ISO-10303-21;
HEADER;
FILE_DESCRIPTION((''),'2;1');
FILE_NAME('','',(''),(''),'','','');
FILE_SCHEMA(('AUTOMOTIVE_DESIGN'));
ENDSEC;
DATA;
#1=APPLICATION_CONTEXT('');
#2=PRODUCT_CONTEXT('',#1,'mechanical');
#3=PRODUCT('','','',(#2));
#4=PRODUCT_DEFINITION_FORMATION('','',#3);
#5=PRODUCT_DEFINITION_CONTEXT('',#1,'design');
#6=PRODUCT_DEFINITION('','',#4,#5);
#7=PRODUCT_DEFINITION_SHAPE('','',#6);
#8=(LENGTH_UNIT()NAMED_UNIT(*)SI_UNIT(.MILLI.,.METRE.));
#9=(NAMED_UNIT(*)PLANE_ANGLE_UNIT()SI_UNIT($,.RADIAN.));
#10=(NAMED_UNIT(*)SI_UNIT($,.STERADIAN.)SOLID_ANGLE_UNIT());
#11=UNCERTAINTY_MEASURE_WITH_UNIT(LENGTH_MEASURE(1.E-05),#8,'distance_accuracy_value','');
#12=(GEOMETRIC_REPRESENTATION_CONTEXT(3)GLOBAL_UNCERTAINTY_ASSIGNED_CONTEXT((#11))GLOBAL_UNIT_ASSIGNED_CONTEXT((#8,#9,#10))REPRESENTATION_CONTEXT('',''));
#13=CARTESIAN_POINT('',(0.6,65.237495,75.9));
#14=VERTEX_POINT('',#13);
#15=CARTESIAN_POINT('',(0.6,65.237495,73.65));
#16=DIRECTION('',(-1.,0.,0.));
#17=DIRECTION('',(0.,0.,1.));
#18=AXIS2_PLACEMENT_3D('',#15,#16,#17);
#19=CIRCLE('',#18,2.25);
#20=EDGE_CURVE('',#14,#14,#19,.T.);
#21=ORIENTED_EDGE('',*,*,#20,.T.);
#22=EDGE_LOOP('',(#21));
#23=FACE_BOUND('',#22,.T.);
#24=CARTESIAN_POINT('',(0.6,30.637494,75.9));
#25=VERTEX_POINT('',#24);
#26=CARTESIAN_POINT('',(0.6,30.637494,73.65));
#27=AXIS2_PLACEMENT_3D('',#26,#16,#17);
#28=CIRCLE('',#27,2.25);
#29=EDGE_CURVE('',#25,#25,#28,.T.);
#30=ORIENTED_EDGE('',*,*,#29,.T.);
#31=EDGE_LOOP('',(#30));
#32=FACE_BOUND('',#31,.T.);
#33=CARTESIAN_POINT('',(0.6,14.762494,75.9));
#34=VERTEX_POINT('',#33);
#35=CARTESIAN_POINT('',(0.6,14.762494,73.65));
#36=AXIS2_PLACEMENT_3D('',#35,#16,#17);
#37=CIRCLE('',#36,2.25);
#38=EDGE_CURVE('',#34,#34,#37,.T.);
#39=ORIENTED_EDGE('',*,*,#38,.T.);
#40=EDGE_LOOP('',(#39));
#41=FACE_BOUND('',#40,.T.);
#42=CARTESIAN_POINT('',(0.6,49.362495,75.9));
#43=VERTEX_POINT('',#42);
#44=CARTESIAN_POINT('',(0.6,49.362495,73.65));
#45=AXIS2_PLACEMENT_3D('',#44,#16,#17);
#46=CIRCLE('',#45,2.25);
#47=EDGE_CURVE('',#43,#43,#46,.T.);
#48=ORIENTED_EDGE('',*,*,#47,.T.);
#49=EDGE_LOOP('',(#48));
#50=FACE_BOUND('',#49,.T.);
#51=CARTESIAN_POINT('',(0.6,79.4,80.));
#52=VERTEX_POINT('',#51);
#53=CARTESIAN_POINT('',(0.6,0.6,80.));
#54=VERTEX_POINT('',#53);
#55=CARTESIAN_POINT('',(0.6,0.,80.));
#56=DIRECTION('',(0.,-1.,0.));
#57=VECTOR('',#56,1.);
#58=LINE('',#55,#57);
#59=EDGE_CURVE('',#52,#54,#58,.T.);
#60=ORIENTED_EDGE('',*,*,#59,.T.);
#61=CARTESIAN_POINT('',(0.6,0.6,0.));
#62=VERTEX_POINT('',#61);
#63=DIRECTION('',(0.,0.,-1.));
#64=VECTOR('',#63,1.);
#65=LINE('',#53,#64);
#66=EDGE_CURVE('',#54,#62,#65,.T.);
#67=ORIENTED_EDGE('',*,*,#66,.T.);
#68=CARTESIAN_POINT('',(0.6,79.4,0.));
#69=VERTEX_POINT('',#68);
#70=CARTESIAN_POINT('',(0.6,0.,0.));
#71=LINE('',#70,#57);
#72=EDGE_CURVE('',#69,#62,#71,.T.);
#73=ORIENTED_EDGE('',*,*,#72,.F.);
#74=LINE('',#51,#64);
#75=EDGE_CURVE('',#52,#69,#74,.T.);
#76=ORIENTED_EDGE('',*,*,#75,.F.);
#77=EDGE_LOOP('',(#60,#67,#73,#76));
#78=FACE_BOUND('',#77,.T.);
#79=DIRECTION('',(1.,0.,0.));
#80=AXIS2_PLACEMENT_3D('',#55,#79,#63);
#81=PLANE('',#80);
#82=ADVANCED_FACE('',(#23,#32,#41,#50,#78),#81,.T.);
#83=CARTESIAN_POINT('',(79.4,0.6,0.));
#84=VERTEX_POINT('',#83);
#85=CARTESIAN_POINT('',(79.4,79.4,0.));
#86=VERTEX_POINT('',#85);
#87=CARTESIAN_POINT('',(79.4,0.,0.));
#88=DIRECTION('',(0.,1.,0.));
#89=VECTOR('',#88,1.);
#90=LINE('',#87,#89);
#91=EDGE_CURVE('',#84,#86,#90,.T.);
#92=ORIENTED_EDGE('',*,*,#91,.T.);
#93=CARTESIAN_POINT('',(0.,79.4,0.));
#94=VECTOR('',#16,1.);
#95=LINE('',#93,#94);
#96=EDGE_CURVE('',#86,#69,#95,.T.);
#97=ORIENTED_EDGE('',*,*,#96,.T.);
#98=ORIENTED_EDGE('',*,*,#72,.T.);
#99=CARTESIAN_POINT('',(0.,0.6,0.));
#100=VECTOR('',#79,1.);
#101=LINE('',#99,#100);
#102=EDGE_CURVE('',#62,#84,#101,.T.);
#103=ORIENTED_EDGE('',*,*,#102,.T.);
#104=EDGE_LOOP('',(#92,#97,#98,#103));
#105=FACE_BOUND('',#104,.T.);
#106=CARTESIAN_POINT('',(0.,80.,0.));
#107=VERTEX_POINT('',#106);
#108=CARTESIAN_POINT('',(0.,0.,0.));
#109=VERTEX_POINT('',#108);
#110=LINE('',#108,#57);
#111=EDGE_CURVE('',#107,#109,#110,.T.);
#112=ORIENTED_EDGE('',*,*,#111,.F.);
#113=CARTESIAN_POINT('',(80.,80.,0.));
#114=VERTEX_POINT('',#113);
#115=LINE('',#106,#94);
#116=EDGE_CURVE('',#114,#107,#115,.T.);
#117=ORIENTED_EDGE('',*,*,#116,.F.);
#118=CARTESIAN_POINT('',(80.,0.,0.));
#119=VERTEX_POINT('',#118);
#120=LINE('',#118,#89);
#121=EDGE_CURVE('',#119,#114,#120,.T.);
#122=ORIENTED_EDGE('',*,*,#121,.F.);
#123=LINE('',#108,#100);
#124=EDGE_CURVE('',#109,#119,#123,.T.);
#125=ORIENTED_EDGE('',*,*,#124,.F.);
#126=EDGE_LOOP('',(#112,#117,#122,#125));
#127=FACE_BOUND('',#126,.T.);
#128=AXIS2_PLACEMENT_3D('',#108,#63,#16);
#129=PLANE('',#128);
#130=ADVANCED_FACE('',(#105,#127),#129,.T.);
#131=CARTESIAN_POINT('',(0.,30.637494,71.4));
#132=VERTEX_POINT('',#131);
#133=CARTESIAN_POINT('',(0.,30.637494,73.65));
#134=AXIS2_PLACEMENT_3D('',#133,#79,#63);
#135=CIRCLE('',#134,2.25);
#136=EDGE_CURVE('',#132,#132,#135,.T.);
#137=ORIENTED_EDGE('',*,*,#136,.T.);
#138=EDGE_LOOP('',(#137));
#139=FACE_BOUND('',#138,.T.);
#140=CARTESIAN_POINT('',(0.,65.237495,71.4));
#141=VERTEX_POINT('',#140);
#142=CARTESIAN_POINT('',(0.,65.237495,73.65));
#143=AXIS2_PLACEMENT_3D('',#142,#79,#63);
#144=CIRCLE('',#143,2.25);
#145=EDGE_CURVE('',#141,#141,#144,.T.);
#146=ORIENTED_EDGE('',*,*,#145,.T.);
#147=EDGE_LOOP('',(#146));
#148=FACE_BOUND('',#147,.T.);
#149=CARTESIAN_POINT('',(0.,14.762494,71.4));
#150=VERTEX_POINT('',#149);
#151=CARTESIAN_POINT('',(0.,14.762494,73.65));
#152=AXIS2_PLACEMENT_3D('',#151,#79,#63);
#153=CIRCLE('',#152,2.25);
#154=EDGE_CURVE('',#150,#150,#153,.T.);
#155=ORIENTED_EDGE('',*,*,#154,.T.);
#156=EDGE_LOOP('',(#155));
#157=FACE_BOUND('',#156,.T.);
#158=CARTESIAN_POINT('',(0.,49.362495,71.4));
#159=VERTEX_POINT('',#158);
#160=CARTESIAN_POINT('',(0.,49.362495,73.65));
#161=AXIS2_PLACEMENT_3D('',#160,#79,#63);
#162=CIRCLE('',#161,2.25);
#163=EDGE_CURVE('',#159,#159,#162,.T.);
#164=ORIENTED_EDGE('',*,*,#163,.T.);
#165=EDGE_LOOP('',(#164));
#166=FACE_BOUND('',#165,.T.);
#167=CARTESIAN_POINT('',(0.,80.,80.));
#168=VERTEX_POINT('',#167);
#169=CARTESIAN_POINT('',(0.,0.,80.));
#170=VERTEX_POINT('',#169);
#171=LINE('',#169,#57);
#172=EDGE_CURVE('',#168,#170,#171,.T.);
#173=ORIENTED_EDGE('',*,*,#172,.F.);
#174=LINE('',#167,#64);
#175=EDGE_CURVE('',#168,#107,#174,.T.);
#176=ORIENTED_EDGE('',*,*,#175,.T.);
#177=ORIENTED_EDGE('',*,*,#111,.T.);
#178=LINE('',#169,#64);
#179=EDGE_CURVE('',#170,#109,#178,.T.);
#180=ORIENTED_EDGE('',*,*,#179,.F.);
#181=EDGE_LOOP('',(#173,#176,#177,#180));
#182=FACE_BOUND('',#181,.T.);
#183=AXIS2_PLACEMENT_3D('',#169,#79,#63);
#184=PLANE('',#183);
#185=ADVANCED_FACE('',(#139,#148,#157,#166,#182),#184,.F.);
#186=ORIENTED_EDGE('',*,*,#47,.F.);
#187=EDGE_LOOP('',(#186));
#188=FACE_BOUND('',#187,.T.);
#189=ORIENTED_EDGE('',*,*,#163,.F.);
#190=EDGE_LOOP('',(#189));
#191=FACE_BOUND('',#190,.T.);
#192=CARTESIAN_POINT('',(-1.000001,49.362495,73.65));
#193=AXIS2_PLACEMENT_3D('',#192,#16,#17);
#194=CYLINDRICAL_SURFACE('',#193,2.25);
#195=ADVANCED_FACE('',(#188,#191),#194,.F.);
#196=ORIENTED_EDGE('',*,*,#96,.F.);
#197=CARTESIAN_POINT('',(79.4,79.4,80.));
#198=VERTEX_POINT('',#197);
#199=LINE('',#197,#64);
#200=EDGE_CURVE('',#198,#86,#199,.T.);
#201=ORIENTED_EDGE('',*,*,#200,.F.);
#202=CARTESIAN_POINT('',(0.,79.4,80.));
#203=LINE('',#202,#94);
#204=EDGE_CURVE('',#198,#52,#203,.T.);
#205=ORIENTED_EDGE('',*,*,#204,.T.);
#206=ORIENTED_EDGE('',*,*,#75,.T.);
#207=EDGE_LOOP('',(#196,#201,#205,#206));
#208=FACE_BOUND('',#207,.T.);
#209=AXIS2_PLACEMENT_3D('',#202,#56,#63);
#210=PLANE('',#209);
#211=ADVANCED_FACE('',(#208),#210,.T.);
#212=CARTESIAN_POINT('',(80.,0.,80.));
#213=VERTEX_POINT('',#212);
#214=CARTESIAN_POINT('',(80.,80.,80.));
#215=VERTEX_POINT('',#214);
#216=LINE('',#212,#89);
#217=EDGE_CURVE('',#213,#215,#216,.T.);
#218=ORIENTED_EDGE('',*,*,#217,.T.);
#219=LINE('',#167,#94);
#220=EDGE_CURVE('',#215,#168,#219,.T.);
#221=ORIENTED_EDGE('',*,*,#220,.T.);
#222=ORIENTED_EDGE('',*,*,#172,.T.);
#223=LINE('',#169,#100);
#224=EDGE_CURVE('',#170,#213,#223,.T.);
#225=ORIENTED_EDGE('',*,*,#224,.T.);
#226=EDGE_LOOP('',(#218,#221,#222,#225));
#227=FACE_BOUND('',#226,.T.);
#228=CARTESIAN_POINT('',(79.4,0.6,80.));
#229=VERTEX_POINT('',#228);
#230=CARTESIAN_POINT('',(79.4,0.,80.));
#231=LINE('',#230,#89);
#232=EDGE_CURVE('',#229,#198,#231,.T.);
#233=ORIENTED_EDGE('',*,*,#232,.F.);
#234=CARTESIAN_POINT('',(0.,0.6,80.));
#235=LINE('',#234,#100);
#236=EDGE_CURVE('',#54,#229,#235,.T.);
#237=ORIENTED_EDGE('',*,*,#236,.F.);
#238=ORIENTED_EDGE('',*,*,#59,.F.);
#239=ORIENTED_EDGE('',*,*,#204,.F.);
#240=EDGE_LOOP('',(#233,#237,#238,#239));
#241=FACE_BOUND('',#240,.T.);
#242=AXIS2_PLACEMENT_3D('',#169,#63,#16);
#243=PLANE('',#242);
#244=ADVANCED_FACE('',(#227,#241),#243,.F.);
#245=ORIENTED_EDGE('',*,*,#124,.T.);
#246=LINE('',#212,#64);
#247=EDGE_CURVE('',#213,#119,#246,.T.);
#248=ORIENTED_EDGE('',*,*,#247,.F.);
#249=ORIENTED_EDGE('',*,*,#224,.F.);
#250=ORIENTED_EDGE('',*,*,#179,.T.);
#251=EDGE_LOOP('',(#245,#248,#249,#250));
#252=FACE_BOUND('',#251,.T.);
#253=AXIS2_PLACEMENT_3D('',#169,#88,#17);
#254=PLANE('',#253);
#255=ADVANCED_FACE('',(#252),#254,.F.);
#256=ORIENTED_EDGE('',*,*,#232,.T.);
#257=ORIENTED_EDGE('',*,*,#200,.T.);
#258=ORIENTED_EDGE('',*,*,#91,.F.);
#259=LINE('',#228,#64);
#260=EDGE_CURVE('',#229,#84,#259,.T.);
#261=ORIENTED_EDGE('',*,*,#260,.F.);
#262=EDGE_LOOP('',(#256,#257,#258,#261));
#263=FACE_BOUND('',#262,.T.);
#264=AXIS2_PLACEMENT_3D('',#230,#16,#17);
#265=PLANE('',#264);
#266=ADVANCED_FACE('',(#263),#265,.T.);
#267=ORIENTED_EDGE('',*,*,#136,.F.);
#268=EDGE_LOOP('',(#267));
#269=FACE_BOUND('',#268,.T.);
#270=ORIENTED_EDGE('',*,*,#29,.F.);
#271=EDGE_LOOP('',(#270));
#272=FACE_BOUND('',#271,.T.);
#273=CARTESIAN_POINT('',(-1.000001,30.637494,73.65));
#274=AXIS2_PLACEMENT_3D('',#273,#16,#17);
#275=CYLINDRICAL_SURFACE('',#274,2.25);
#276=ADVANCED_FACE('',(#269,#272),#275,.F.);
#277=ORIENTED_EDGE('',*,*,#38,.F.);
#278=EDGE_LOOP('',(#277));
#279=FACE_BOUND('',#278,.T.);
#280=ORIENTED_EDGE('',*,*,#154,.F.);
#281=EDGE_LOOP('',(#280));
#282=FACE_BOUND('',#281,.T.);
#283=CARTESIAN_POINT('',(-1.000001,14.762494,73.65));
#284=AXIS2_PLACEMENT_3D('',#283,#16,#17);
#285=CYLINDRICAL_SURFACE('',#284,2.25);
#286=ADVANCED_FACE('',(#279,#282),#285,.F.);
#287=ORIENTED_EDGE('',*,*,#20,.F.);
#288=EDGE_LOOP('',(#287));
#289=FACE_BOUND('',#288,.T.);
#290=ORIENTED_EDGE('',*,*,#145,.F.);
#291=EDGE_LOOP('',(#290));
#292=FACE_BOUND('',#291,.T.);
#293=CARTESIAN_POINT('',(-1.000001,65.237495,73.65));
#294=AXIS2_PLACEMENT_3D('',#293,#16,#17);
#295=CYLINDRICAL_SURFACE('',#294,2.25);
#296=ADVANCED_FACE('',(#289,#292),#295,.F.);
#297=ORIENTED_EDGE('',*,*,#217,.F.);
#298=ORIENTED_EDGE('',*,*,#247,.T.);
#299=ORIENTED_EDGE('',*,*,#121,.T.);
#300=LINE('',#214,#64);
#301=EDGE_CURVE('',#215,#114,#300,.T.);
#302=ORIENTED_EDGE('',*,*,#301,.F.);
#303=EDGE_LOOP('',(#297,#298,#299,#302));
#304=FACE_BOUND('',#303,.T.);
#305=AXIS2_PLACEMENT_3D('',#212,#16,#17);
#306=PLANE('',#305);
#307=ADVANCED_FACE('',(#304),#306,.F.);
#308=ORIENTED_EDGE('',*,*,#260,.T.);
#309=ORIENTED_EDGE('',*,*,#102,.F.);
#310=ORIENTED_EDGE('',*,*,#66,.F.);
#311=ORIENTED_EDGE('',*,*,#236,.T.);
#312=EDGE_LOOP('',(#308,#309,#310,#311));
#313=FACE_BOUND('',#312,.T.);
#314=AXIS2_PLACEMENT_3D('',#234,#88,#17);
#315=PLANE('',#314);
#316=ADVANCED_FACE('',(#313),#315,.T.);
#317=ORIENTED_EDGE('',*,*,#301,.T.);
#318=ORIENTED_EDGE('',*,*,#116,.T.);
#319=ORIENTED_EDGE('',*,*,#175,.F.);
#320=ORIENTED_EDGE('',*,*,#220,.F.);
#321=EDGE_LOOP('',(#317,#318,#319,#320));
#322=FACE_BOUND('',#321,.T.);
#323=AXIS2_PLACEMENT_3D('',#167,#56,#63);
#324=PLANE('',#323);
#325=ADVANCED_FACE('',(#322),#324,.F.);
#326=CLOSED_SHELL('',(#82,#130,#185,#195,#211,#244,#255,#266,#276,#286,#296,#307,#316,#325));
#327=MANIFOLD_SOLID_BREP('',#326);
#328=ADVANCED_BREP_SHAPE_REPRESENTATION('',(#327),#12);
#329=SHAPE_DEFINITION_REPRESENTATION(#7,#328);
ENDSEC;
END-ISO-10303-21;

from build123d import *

# Parameters (mm, degrees)
CROQUIS1_W                        = 80
CROQUIS1_H                        = 80
SALIENTE_EXTRUIR1_DEPTH           = 80
VACIADO1_T                        = -0.6
TALADRO_DE_MARGEN_PARA_M41_REACH  = 179.383
TALADRO_DE_MARGEN_PARA_M41_BORE_R = 2.25


with BuildPart() as part:
    # Croquis1 → Saliente-Extruir1 (new body)
    with BuildSketch(Plane.XY):
        with Locations((40, 40)):
            Rectangle(CROQUIS1_W, CROQUIS1_H)
    extrude(amount=SALIENTE_EXTRUIR1_DEPTH)

    # Vaciado1
    vaciado1_openings = [part.faces().sort_by_distance(p)[0] for p in [
        (40, 40, 80),
        (40, 40, 0),
    ]]
    offset(amount=VACIADO1_T, openings=vaciado1_openings, kind=Kind.INTERSECTION)

    # Taladro de margen para M41 bore → Taladro de margen para M41 (cut, up to next)
    with BuildSketch(Plane(origin=(-1.000000915, -72.630862631, 39.906082067), x_dir=(0, 1, 0), z_dir=(-1, 0, 0)), mode=Mode.PRIVATE) as taladro_de_margen_para_m41_sk1:
        with Locations((87.393356175, -33.743917933)):
            Circle(TALADRO_DE_MARGEN_PARA_M41_BORE_R)
    taladro_de_margen_para_m41_tool1 = extrude(taladro_de_margen_para_m41_sk1.sketch, amount=-TALADRO_DE_MARGEN_PARA_M41_REACH, mode=Mode.PRIVATE) & part.part
    # Taladro de margen para M41 bore → Taladro de margen para M41 (cut, up to next)
    with BuildSketch(Plane(origin=(-1.000000915, -72.630862631, 39.906082067), x_dir=(0, 1, 0), z_dir=(-1, 0, 0)), mode=Mode.PRIVATE) as taladro_de_margen_para_m41_sk2:
        with Locations((103.268356175, -33.743917933)):
            Circle(TALADRO_DE_MARGEN_PARA_M41_BORE_R)
    taladro_de_margen_para_m41_tool2 = extrude(taladro_de_margen_para_m41_sk2.sketch, amount=-TALADRO_DE_MARGEN_PARA_M41_REACH, mode=Mode.PRIVATE) & part.part
    # Taladro de margen para M41 bore → Taladro de margen para M41 (cut, up to next)
    with BuildSketch(Plane(origin=(-1.000000915, -72.630862631, 39.906082067), x_dir=(0, 1, 0), z_dir=(-1, 0, 0)), mode=Mode.PRIVATE) as taladro_de_margen_para_m41_sk3:
        with Locations((121.993358005, -33.743917933)):
            Circle(TALADRO_DE_MARGEN_PARA_M41_BORE_R)
    taladro_de_margen_para_m41_tool3 = extrude(taladro_de_margen_para_m41_sk3.sketch, amount=-TALADRO_DE_MARGEN_PARA_M41_REACH, mode=Mode.PRIVATE) & part.part
    # Taladro de margen para M41 bore → Taladro de margen para M41 (cut, up to next)
    with BuildSketch(Plane(origin=(-1.000000915, -72.630862631, 39.906082067), x_dir=(0, 1, 0), z_dir=(-1, 0, 0)), mode=Mode.PRIVATE) as taladro_de_margen_para_m41_sk4:
        with Locations((137.868358005, -33.743917933)):
            Circle(TALADRO_DE_MARGEN_PARA_M41_BORE_R)
    taladro_de_margen_para_m41_tool4 = extrude(taladro_de_margen_para_m41_sk4.sketch, amount=-TALADRO_DE_MARGEN_PARA_M41_REACH, mode=Mode.PRIVATE) & part.part
    add(taladro_de_margen_para_m41_tool1.solids().sort_by_distance((-1.000001, 14.762494, 73.65))[0], mode=Mode.SUBTRACT)
    add(taladro_de_margen_para_m41_tool2.solids().sort_by_distance((-1.000001, 30.637494, 73.65))[0], mode=Mode.SUBTRACT)
    add(taladro_de_margen_para_m41_tool3.solids().sort_by_distance((-1.000001, 49.362495, 73.65))[0], mode=Mode.SUBTRACT)
    add(taladro_de_margen_para_m41_tool4.solids().sort_by_distance((-1.000001, 65.237495, 73.65))[0], mode=Mode.SUBTRACT)


solid = part.part
